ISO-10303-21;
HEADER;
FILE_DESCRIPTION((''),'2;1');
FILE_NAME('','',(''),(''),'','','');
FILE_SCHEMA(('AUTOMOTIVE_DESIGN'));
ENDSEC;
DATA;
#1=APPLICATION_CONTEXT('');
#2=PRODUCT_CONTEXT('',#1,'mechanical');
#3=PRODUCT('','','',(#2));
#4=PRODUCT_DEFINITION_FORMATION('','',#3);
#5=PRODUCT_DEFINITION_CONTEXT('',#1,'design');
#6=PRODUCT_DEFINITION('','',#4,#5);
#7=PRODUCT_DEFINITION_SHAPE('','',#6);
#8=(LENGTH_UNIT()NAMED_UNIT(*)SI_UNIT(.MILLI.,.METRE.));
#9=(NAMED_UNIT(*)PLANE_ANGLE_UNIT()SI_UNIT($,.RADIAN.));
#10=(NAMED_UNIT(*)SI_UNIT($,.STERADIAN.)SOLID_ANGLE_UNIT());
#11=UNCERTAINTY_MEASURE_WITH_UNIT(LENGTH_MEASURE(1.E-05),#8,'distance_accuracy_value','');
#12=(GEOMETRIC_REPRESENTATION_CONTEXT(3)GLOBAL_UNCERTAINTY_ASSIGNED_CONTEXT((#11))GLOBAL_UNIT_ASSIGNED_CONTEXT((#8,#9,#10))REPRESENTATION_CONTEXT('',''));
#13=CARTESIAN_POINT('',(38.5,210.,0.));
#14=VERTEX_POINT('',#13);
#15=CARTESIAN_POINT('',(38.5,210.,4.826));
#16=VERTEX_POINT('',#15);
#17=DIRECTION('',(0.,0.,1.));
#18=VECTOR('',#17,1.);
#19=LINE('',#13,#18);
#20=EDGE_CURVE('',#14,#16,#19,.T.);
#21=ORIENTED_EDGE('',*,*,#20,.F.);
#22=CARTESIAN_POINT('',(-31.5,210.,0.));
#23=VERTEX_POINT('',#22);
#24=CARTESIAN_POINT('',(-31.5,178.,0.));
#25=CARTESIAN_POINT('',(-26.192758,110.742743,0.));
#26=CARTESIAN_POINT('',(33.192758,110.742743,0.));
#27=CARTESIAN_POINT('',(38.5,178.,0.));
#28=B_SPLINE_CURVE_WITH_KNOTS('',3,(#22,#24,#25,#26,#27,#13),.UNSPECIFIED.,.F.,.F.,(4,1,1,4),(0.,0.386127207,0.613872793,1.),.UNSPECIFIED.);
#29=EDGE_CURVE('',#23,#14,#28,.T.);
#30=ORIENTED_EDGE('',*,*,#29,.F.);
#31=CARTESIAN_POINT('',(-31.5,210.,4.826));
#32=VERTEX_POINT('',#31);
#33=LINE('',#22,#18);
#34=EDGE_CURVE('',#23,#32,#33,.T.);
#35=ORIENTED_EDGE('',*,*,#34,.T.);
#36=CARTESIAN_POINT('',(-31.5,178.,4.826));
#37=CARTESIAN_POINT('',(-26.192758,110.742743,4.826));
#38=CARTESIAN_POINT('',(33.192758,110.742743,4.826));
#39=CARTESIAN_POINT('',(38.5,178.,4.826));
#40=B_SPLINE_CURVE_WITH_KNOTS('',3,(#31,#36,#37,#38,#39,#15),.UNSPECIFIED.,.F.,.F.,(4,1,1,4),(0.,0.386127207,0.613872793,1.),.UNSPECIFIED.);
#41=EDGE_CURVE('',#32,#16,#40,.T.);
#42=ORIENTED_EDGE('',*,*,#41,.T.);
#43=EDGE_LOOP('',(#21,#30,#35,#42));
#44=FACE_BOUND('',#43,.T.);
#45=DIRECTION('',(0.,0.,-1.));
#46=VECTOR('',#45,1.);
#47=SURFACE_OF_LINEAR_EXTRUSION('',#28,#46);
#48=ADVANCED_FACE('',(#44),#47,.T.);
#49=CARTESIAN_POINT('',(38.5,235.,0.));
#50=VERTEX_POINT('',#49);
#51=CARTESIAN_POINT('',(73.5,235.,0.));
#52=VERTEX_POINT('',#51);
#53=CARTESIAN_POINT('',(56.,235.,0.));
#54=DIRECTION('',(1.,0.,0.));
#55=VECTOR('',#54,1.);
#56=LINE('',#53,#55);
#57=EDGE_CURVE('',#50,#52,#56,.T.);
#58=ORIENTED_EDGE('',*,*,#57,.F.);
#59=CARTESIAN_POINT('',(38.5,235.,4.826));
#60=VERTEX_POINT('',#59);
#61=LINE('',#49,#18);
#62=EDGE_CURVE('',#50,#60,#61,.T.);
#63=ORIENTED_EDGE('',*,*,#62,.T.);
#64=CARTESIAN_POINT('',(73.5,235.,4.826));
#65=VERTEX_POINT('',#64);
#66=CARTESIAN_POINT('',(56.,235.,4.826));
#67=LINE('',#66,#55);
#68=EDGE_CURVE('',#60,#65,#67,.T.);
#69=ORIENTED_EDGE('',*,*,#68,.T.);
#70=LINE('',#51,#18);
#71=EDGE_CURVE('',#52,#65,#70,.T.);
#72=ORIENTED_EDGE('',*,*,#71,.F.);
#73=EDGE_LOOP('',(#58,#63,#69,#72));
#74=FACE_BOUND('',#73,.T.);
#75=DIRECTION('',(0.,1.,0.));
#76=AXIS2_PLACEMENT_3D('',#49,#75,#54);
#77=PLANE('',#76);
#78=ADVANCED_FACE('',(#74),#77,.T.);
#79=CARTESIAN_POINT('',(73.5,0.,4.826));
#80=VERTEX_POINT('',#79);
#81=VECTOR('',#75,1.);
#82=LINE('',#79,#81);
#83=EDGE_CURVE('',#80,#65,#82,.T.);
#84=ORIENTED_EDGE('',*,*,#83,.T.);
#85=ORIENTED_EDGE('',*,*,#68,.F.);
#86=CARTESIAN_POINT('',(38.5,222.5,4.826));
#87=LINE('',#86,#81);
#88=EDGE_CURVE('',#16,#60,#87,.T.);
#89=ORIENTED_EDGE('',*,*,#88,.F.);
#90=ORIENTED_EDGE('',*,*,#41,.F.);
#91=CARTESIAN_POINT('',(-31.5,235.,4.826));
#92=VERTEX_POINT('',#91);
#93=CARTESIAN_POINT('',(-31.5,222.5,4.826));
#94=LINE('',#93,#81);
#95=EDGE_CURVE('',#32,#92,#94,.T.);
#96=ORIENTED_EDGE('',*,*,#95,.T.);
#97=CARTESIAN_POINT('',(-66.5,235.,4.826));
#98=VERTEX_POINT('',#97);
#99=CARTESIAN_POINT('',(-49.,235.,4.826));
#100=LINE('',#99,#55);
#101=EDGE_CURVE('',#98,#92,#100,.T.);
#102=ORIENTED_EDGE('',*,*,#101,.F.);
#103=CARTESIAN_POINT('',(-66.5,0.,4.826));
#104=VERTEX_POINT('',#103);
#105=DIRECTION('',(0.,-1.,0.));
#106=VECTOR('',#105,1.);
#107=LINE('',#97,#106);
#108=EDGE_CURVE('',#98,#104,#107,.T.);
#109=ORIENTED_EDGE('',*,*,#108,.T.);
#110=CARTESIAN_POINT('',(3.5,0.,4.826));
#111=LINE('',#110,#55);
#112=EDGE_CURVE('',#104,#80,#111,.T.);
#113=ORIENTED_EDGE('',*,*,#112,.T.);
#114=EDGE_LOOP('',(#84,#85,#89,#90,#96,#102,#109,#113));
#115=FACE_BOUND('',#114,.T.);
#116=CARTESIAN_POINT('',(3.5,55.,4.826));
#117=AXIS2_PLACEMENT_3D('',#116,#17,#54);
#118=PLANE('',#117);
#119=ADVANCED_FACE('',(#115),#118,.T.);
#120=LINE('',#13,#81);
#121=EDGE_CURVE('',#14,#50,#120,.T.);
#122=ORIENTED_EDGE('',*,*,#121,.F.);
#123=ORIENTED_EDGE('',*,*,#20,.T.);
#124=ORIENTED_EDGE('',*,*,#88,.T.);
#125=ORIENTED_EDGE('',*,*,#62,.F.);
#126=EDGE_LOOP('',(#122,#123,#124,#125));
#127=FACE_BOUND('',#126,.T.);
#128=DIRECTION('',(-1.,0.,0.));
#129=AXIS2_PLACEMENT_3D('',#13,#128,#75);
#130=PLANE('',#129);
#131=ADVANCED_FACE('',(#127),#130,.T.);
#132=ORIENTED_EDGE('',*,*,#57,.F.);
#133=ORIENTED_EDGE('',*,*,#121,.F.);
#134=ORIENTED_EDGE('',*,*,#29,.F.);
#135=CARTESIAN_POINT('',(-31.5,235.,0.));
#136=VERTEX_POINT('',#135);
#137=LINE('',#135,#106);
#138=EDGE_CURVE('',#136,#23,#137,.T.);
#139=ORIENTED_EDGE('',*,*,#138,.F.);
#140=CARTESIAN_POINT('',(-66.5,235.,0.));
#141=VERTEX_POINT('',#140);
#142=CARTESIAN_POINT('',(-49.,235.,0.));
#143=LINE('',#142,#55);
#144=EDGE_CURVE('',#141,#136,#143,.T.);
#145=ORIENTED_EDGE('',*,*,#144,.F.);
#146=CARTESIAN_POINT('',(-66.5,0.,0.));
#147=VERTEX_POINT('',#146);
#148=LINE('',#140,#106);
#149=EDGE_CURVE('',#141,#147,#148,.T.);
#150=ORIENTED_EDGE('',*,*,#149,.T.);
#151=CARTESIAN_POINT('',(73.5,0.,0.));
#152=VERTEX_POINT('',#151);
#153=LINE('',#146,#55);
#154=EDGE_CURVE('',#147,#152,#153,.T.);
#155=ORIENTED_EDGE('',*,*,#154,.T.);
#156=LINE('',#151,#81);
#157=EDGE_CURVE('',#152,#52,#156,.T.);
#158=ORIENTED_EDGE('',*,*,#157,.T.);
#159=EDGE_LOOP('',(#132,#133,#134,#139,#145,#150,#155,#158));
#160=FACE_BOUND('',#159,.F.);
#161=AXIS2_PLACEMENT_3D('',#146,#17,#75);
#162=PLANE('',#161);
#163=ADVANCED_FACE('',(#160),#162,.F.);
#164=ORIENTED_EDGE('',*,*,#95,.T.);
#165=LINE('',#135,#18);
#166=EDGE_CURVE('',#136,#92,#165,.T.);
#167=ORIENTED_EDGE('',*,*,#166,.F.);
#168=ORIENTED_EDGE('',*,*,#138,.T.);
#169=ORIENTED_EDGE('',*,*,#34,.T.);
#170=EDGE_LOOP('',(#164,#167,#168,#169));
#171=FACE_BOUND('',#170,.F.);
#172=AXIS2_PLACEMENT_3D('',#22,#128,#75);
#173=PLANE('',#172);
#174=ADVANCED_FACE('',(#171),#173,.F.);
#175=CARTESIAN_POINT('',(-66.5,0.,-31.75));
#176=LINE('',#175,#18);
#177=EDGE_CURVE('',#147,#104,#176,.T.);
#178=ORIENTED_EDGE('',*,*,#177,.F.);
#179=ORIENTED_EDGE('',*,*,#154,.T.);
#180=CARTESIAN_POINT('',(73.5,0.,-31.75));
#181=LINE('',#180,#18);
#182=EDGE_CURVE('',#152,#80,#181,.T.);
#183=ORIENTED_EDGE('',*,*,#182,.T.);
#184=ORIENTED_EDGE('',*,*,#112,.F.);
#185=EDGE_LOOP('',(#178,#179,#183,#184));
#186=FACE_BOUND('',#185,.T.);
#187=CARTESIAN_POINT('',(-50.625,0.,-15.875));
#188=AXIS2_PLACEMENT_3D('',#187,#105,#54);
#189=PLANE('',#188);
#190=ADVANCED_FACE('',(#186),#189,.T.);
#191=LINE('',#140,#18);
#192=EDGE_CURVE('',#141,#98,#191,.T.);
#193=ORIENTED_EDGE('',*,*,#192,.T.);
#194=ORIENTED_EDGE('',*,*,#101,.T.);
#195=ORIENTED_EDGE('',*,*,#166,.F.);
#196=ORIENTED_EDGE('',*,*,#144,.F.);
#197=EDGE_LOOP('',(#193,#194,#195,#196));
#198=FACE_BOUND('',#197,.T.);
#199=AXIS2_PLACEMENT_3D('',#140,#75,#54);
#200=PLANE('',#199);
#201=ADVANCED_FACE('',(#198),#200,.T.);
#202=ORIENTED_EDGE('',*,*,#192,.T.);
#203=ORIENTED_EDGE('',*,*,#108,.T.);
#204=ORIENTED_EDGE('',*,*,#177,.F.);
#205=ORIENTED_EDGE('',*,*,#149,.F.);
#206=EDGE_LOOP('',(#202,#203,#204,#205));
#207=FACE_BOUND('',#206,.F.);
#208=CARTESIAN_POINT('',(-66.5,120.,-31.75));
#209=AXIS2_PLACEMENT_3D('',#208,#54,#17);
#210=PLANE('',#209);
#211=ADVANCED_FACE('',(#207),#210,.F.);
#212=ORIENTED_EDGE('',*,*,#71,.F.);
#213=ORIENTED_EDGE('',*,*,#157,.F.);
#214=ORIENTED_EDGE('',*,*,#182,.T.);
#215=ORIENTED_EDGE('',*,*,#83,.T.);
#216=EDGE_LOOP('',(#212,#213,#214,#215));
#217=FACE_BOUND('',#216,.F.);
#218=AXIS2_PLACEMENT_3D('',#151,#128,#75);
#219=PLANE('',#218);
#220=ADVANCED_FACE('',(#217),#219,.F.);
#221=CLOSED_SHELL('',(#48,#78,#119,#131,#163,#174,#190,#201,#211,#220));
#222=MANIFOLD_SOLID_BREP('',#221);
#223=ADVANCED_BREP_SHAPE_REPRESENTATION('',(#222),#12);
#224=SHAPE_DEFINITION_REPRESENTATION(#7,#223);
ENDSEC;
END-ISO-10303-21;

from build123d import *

# Parameters (mm, degrees)
F0_W      = 140
F0_H      = 110
F0_W_2    = 35
F0_H_2    = 25
F1_DEPTH  = 4.826
F2_W      = 31.75
F2_H      = 31.75
F2_W_2    = 25.4
F2_H_2    = 25.4
F3_DEPTH  = 120
F4_W      = 6
F4_H      = 31.75
F4_W_2    = 2.825
F4_H_2    = 25.4
F5_DEPTH  = 110
F6_R      = 3
F7_DEPTH  = 10
F8_W      = 25.4
F8_H      = 25.4
F8_W_2    = 15.874
F8_H_2    = 15.874
F9_DEPTH  = 20
F11_DEPTH = 152
F12_W     = 120
F12_H     = 31.75
F13_DEPTH = 140.0010001


with BuildPart() as f1:
    # F0 (on Top) → F1 (new body)
    with BuildSketch(Plane.XY):
        with Locations((3.5, 55)):
            Rectangle(F0_W, F0_H)
        with BuildLine():
            Line((-66.5, 210), (-66.5, 110))
            Line((-66.5, 110), (73.5, 110))
            Line((73.5, 110), (73.5, 210))
            Line((73.5, 210), (38.5, 210))
            add(Edge.make_bspline(
                [(-31.5, 210), (-31.5, 178), (-26.1927577262, 110.7427430843), (33.1927577262, 110.7427430843), (38.5, 178), (38.5, 210)],
                knots=[0, 0, 0, 0, 0.3861272069, 0.6138727931, 1, 1, 1, 1], degree=3))
            Line((-31.5, 210), (-66.5, 210))
        make_face()
        with Locations((-49, 222.5)):
            Rectangle(F0_W_2, F0_H_2)
        with Locations((56, 222.5)):
            Rectangle(F0_W_2, F0_H_2)
    extrude(amount=F1_DEPTH)

    # F2 (on face) → F3 (join)
    with BuildSketch(Plane.XZ):
        with Locations((-50.625, -15.875)):
            Rectangle(F2_W, F2_H)
        with Locations((-50.625, -15.875)):
            Rectangle(F2_W_2, F2_H_2, mode=Mode.SUBTRACT)
        with Locations((57.625, -15.875)):
            Rectangle(F2_W, F2_H)
        with Locations((57.625, -15.875)):
            Rectangle(F2_W_2, F2_H_2, mode=Mode.SUBTRACT)
    extrude(amount=-F3_DEPTH)

    # F4 (on face) → F5 (join)
    with BuildSketch(Plane(origin=(0, 120, 0), x_dir=(-1, 0, 0), z_dir=(0, 1, 0))):
        with Locations((63.5, -15.875)):
            Rectangle(F4_W, F4_H)
        with Locations((-68.9125, -15.875)):
            Rectangle(F4_W_2, F4_H_2)
        Polygon((-67.5, 0), (-73.5, 0), (-73.5, -31.75), (-70.325, -31.75), (-67.5, -31.75), (-67.5, -28.575), (-70.325, -28.575), (-70.325, -3.175), (-67.5, -3.175), align=None)
    extrude(amount=F5_DEPTH)

    # F6 (on face) → F7 (cut)
    with BuildSketch(Plane.YZ.offset(-34.75)):
        with Locations((60, -10)):
            Circle(F6_R)
    extrude(amount=-F7_DEPTH, mode=Mode.SUBTRACT)

    # F8 (on face) → F9 (join, symmetric)
    with BuildSketch(Plane.XZ):
        with Locations((-50.625, -15.875)):
            Rectangle(F8_W, F8_H)
        with Locations((-50.625, -15.875)):
            Rectangle(F8_W_2, F8_H_2, mode=Mode.SUBTRACT)
        with Locations((57.625, -15.875)):
            Rectangle(F8_W, F8_H)
        with Locations((57.625, -15.875)):
            Rectangle(F8_W_2, F8_H_2, mode=Mode.SUBTRACT)
    extrude(amount=F9_DEPTH, both=True)

    # F10 (on face) → F11 (cut)
    with BuildSketch(Plane(origin=(-66.5, 0, 0), x_dir=(0, -1, 0), z_dir=(-1, 0, 0))):
        with BuildLine():
            ThreePointArc((-180, -20), (-177.1715728753, -18.8284271247), (-176, -16))
            ThreePointArc((-176, -16), (-177.1715728753, -13.1715728753), (-180, -12))
            Line((-180, -12), (-180, -16))
            Line((-180, -16), (-180, -20))
        make_face()
        with BuildLine():
            Line((-180, -16), (-180, -12))
            ThreePointArc((-180, -12), (-184, -16), (-180, -20))
            Line((-180, -20), (-180, -16))
        make_face()
        with BuildLine():
            ThreePointArc((-180, -20), (-184, -16), (-180, -12))
            Line((-180, -12), (-230, -12))
            Line((-230, -12), (-230, -20))
            Line((-230, -20), (-180, -20))
        make_face()
    extrude(amount=-F11_DEPTH, mode=Mode.SUBTRACT)

    # F12 (on face) → F13 (cut, through all)
    with BuildSketch(Plane(origin=(-66.5, 0, 0), x_dir=(0, -1, 0), z_dir=(-1, 0, 0))):
        Polygon((-236.2957447767, 41.7925678194), (-236.2957447767, 0), (-235, 0), (-235, 4.826), (-120, 4.826), (-120, 41.7925678194), align=None)
        Polygon((-120, 64.1580745578), (-120, 41.7925678194), (11.4044835791, 41.7925678194), (11.4044835791, 0), (0, 0), (0, -31.75), (-120, -31.75), (-120, -61.878118664), (43.3997410536, -61.878118664), (43.3997410536, 64.1580745578), align=None)
        with Locations((-60, -15.875)):
            Rectangle(F12_W, F12_H)
        Polygon((11.4044835791, 41.7925678194), (-120, 41.7925678194), (-120, 4.826), (0, 4.826), (0, 0), (11.4044835791, 0), align=None)
        with BuildLine():
            Line((-120, 0), (-230, 0))
            Line((-230, 0), (-230, -12))
            Line((-230, -12), (-180, -12))
            ThreePointArc((-180, -12), (-176, -16), (-180, -20))
            Line((-180, -20), (-230, -20))
            Line((-230, -20), (-230, -31.75))
            Line((-230, -31.75), (-120, -31.75))
            Line((-120, -31.75), (-120, 0))
        make_face()
    extrude(amount=-F13_DEPTH, mode=Mode.SUBTRACT)


solid = f1.part
